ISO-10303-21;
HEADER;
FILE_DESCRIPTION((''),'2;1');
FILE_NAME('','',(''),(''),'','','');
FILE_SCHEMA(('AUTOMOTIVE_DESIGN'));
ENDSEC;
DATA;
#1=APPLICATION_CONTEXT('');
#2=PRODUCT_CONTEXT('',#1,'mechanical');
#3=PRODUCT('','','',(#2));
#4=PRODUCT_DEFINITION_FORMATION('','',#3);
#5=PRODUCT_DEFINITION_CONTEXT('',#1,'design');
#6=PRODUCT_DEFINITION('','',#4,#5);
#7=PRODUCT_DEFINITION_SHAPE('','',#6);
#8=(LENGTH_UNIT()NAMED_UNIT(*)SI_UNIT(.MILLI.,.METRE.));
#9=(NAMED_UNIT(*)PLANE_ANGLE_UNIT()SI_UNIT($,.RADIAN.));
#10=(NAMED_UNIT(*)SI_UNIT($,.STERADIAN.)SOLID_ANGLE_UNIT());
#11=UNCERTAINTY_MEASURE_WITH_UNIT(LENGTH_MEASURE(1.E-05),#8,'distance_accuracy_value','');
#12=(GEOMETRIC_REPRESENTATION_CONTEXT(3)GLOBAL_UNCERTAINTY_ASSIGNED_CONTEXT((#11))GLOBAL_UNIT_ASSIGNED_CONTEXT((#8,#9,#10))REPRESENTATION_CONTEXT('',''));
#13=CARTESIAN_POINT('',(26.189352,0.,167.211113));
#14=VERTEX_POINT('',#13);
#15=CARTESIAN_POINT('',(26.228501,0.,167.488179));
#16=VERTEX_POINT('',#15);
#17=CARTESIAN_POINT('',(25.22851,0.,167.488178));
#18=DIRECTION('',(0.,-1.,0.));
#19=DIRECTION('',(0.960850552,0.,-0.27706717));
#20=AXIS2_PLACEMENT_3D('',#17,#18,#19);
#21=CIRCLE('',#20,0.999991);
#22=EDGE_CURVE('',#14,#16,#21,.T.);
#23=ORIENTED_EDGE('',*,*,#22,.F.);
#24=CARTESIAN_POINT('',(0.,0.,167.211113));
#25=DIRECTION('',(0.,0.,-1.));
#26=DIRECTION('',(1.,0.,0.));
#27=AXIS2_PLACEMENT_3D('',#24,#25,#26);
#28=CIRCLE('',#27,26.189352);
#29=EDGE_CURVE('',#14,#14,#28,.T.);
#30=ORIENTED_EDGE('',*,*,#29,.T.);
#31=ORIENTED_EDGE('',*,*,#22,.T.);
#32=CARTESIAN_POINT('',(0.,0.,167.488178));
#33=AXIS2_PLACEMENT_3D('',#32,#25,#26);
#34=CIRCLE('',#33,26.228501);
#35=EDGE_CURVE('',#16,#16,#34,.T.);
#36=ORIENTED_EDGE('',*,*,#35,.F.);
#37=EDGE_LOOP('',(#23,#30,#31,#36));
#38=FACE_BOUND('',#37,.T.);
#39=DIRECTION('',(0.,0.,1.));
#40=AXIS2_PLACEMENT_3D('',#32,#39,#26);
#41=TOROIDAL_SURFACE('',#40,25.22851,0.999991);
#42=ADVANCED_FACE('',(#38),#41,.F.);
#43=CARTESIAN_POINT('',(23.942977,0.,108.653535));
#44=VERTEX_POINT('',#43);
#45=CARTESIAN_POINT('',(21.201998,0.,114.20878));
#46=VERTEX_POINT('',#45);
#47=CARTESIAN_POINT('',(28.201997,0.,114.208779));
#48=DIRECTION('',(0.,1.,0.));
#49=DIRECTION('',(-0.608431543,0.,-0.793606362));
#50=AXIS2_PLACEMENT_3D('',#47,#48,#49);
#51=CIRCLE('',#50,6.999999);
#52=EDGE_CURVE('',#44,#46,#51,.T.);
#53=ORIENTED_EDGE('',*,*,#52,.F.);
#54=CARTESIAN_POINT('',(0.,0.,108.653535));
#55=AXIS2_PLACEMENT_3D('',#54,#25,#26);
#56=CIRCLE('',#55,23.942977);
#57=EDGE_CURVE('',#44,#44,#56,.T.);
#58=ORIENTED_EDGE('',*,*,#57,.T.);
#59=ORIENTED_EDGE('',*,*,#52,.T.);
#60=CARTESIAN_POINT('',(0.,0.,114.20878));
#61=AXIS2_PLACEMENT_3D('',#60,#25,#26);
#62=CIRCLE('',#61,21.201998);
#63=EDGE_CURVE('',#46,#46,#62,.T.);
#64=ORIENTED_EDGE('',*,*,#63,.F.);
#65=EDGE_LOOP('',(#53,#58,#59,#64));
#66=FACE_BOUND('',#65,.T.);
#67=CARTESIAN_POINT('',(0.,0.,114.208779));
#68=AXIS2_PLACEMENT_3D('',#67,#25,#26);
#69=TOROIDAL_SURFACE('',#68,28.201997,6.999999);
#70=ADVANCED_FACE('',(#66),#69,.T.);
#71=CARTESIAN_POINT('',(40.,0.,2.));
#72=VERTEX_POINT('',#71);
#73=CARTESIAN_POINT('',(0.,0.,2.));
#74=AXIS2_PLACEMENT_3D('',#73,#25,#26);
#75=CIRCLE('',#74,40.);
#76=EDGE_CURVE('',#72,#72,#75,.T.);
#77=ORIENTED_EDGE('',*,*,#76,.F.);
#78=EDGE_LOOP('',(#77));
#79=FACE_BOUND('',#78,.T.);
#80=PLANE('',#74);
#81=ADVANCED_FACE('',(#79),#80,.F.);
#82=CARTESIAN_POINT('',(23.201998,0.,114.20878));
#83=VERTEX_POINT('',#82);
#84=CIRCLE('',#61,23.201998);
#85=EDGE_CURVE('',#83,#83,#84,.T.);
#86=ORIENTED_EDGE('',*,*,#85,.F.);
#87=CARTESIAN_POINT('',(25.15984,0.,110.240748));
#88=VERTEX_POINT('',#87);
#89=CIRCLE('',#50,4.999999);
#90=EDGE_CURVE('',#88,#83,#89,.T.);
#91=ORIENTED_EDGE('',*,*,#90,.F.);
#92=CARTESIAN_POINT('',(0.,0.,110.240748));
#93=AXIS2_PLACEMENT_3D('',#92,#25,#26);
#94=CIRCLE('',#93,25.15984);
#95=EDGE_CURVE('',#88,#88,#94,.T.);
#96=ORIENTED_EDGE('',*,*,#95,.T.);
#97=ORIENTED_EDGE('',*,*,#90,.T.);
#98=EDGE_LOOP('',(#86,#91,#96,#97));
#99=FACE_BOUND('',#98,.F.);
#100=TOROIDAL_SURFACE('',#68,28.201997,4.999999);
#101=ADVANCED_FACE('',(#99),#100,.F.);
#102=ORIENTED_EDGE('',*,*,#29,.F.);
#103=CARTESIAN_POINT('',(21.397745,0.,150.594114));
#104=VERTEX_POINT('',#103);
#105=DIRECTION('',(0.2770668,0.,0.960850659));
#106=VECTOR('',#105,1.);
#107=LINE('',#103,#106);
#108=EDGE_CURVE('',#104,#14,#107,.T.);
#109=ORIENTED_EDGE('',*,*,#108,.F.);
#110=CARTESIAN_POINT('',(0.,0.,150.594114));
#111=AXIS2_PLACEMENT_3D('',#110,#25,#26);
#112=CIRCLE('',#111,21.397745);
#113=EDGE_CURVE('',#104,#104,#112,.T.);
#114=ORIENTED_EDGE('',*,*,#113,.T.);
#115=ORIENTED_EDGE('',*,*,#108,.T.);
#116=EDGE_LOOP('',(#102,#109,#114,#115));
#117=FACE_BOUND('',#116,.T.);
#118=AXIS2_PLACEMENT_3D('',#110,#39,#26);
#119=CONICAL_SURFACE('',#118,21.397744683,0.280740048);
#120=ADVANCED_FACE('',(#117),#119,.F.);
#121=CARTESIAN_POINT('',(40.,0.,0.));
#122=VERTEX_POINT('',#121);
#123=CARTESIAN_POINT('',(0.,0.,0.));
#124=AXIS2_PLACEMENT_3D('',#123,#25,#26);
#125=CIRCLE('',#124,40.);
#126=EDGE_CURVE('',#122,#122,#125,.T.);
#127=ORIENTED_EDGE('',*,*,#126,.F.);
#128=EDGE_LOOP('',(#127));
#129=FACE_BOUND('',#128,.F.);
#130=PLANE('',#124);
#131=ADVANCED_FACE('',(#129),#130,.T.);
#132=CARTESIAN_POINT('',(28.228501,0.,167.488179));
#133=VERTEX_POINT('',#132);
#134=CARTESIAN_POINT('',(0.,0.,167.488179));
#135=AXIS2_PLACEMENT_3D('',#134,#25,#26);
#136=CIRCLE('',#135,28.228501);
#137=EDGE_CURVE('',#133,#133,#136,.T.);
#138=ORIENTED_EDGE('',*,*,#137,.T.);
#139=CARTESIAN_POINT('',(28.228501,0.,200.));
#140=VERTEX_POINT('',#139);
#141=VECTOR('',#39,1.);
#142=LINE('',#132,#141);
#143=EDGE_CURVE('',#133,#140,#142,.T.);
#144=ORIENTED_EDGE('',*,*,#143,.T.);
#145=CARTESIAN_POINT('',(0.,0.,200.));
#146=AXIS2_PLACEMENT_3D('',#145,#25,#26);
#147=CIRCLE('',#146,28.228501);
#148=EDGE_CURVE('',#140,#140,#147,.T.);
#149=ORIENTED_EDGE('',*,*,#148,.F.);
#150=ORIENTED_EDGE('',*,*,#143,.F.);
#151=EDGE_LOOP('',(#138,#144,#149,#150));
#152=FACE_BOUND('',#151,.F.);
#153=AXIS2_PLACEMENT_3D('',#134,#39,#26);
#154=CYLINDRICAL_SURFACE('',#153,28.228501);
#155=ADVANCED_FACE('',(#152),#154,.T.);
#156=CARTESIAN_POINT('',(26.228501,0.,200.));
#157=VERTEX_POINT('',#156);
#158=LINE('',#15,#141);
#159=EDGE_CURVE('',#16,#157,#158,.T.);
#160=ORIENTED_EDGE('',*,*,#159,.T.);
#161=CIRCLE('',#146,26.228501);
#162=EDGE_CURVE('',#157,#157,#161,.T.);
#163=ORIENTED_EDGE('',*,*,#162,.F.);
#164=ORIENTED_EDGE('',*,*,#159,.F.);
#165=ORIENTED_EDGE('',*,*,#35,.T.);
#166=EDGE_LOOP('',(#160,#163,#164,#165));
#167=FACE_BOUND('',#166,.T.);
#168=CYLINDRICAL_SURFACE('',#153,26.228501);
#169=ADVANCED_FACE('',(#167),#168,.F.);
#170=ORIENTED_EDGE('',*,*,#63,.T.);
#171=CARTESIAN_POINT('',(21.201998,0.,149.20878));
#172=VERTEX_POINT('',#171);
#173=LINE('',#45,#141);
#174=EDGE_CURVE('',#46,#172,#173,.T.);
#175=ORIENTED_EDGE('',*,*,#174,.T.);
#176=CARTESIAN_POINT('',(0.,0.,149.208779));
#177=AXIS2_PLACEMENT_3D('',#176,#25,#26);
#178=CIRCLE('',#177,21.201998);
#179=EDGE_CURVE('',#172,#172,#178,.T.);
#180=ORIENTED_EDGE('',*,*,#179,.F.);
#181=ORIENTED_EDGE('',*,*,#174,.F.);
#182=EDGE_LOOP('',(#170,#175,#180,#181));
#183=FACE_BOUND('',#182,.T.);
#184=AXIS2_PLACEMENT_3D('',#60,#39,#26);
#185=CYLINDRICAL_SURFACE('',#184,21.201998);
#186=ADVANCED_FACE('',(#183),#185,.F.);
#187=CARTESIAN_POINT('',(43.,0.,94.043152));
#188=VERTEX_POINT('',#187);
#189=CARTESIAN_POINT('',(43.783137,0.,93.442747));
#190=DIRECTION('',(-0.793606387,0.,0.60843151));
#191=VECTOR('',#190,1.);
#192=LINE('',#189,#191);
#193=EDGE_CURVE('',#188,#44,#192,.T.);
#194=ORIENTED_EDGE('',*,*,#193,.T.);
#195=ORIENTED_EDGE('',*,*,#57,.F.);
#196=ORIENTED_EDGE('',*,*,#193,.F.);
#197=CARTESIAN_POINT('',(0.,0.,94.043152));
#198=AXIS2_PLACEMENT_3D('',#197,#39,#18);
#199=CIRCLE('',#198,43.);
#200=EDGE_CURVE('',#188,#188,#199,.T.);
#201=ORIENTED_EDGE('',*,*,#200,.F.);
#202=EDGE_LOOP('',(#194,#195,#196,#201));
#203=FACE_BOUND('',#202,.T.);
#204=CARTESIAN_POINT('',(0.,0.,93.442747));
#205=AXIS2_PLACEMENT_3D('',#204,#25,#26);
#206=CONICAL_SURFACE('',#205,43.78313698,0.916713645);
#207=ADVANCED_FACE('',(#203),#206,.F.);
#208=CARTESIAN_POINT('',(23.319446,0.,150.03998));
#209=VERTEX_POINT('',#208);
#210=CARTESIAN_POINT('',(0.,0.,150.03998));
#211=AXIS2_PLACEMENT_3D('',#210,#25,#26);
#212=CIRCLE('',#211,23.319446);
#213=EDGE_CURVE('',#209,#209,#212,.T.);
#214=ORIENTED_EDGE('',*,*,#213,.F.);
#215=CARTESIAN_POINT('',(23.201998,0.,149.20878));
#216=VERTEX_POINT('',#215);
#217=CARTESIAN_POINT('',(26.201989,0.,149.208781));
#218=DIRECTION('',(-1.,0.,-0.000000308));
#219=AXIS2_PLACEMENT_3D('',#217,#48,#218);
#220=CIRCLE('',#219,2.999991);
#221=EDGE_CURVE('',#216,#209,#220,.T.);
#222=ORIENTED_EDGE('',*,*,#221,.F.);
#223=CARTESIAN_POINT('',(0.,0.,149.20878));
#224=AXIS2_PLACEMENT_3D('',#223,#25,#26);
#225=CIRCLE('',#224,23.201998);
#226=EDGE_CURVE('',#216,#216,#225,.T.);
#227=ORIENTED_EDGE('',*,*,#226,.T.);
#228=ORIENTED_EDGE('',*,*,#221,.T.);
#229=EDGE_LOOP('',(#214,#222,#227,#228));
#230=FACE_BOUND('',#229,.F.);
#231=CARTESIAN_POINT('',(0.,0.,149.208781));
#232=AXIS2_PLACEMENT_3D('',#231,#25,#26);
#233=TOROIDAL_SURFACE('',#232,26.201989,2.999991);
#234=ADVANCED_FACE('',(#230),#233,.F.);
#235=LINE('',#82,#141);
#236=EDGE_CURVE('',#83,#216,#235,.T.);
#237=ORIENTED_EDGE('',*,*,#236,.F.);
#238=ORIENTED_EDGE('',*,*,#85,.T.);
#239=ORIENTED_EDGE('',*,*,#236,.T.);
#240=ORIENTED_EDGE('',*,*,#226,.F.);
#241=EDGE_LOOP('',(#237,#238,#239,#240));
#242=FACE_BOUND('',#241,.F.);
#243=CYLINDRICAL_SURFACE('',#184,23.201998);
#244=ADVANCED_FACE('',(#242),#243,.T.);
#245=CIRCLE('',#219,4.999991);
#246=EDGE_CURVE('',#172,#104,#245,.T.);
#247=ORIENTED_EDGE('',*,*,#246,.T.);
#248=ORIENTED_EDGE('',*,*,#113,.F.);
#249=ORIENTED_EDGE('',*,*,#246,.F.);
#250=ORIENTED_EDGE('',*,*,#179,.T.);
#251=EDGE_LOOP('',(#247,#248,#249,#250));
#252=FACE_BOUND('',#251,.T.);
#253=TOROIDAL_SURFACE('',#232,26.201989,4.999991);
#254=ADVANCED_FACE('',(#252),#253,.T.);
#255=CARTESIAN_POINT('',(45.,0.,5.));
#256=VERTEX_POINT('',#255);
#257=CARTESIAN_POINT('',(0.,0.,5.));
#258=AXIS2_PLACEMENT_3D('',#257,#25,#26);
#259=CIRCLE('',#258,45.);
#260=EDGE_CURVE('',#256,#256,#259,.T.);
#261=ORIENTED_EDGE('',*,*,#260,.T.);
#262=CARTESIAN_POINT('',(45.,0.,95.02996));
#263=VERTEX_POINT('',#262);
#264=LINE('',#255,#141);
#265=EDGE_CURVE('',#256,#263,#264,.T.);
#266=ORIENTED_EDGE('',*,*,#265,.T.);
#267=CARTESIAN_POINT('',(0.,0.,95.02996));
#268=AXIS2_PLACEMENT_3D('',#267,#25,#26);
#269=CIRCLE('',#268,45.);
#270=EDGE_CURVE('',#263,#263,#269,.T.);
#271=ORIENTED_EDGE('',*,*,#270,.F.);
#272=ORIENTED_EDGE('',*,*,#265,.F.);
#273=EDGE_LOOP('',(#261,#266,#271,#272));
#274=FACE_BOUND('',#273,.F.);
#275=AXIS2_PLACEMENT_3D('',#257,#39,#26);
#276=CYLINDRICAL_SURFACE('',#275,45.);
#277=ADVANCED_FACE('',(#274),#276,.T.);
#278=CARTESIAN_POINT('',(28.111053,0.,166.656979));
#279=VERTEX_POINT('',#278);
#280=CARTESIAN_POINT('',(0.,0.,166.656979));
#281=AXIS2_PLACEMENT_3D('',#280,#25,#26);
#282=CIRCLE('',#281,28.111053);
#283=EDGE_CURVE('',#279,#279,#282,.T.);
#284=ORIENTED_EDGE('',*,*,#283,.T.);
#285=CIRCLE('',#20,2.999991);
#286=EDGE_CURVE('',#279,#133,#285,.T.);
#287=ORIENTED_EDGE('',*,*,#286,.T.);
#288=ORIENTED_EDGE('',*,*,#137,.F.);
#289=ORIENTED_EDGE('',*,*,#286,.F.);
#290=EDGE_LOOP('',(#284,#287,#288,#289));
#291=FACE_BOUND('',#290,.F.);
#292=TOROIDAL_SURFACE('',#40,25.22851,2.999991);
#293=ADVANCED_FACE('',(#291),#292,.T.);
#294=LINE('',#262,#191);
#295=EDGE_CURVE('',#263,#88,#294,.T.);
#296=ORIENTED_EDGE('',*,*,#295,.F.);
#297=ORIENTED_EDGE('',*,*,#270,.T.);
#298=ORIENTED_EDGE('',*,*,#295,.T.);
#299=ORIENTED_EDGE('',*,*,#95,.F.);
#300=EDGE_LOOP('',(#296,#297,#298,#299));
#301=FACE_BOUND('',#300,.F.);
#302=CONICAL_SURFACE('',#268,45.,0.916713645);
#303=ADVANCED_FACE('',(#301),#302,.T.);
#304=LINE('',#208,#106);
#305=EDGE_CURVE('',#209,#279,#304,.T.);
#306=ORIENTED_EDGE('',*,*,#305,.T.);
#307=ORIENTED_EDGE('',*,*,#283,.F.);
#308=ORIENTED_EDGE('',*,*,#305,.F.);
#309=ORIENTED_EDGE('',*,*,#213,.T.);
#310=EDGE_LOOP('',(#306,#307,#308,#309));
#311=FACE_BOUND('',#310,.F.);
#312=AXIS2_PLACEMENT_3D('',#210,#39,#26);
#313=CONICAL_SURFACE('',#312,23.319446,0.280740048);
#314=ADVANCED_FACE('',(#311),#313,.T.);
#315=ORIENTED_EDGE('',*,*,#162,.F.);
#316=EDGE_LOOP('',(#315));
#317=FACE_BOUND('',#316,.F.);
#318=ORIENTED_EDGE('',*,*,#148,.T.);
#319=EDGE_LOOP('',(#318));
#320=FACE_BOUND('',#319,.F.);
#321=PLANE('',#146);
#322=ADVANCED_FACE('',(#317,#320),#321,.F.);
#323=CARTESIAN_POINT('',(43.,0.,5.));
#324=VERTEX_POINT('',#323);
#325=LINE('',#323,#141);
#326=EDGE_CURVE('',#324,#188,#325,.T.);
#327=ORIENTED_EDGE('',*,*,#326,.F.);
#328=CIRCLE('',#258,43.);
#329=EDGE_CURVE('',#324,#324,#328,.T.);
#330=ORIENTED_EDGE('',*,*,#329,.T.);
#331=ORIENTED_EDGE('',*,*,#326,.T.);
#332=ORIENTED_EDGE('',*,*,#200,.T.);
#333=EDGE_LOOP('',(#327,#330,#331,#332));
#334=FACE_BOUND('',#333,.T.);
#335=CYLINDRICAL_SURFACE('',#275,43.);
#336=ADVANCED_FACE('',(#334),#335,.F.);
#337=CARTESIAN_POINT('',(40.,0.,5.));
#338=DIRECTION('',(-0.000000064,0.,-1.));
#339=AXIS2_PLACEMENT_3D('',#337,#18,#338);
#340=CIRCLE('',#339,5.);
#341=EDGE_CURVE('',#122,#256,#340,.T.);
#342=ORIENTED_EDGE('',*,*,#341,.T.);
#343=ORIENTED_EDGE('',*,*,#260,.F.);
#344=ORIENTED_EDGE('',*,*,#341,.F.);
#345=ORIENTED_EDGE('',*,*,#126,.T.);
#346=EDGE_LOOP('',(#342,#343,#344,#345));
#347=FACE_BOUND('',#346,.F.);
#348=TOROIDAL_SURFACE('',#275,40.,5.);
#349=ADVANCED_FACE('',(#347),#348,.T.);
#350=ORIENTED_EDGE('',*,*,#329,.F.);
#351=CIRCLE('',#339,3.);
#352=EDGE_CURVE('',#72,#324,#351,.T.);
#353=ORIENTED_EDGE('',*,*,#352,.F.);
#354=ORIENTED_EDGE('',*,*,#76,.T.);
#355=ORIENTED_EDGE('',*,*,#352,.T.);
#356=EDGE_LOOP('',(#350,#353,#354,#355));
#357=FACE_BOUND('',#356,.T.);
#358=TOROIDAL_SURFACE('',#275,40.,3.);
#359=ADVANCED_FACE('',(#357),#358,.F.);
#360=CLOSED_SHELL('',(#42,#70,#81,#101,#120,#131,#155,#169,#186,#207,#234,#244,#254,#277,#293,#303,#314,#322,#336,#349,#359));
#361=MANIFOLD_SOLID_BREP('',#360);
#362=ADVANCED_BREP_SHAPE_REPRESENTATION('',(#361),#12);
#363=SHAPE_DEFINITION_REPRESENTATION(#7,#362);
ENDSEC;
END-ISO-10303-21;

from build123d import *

# Parameters (mm, degrees)
F2_T = -2


with BuildPart() as f1:
    # F0 (on Front) → F1 (revolve)
    with BuildSketch(Plane.XZ):
        with BuildLine():
            Line((0, 200), (0, 0))
            Line((0, 0), (40, 0))
            ThreePointArc((40, 0), (43.535534, 1.464466), (45, 5))
            Line((45, 5), (45, 95.02996))
            Line((45, 95.02996), (25.15984, 110.240748))
            ThreePointArc((25.15984, 110.240748), (23.718094, 111.996404), (23.201998, 114.20878))
            Line((23.201998, 114.20878), (23.201998, 149.20878))
            ThreePointArc((23.201998, 149.20878), (23.231505, 149.628508), (23.319446, 150.03998))
            Line((23.319446, 150.03998), (28.111053, 166.656979))
            ThreePointArc((28.111053, 166.656979), (28.198994, 167.068451), (28.228501, 167.488179))
            Line((28.228501, 167.488179), (28.228501, 200))
            Line((28.228501, 200), (0, 200))
        make_face()
    revolve(axis=Axis((0, 0, 100), (0, 0, -1)))

    # F2
    f2_openings = [f1.faces().sort_by_distance(p)[0] for p in [
        (0, 0, 200),
    ]]
    offset(amount=F2_T, openings=f2_openings)


solid = f1.part
